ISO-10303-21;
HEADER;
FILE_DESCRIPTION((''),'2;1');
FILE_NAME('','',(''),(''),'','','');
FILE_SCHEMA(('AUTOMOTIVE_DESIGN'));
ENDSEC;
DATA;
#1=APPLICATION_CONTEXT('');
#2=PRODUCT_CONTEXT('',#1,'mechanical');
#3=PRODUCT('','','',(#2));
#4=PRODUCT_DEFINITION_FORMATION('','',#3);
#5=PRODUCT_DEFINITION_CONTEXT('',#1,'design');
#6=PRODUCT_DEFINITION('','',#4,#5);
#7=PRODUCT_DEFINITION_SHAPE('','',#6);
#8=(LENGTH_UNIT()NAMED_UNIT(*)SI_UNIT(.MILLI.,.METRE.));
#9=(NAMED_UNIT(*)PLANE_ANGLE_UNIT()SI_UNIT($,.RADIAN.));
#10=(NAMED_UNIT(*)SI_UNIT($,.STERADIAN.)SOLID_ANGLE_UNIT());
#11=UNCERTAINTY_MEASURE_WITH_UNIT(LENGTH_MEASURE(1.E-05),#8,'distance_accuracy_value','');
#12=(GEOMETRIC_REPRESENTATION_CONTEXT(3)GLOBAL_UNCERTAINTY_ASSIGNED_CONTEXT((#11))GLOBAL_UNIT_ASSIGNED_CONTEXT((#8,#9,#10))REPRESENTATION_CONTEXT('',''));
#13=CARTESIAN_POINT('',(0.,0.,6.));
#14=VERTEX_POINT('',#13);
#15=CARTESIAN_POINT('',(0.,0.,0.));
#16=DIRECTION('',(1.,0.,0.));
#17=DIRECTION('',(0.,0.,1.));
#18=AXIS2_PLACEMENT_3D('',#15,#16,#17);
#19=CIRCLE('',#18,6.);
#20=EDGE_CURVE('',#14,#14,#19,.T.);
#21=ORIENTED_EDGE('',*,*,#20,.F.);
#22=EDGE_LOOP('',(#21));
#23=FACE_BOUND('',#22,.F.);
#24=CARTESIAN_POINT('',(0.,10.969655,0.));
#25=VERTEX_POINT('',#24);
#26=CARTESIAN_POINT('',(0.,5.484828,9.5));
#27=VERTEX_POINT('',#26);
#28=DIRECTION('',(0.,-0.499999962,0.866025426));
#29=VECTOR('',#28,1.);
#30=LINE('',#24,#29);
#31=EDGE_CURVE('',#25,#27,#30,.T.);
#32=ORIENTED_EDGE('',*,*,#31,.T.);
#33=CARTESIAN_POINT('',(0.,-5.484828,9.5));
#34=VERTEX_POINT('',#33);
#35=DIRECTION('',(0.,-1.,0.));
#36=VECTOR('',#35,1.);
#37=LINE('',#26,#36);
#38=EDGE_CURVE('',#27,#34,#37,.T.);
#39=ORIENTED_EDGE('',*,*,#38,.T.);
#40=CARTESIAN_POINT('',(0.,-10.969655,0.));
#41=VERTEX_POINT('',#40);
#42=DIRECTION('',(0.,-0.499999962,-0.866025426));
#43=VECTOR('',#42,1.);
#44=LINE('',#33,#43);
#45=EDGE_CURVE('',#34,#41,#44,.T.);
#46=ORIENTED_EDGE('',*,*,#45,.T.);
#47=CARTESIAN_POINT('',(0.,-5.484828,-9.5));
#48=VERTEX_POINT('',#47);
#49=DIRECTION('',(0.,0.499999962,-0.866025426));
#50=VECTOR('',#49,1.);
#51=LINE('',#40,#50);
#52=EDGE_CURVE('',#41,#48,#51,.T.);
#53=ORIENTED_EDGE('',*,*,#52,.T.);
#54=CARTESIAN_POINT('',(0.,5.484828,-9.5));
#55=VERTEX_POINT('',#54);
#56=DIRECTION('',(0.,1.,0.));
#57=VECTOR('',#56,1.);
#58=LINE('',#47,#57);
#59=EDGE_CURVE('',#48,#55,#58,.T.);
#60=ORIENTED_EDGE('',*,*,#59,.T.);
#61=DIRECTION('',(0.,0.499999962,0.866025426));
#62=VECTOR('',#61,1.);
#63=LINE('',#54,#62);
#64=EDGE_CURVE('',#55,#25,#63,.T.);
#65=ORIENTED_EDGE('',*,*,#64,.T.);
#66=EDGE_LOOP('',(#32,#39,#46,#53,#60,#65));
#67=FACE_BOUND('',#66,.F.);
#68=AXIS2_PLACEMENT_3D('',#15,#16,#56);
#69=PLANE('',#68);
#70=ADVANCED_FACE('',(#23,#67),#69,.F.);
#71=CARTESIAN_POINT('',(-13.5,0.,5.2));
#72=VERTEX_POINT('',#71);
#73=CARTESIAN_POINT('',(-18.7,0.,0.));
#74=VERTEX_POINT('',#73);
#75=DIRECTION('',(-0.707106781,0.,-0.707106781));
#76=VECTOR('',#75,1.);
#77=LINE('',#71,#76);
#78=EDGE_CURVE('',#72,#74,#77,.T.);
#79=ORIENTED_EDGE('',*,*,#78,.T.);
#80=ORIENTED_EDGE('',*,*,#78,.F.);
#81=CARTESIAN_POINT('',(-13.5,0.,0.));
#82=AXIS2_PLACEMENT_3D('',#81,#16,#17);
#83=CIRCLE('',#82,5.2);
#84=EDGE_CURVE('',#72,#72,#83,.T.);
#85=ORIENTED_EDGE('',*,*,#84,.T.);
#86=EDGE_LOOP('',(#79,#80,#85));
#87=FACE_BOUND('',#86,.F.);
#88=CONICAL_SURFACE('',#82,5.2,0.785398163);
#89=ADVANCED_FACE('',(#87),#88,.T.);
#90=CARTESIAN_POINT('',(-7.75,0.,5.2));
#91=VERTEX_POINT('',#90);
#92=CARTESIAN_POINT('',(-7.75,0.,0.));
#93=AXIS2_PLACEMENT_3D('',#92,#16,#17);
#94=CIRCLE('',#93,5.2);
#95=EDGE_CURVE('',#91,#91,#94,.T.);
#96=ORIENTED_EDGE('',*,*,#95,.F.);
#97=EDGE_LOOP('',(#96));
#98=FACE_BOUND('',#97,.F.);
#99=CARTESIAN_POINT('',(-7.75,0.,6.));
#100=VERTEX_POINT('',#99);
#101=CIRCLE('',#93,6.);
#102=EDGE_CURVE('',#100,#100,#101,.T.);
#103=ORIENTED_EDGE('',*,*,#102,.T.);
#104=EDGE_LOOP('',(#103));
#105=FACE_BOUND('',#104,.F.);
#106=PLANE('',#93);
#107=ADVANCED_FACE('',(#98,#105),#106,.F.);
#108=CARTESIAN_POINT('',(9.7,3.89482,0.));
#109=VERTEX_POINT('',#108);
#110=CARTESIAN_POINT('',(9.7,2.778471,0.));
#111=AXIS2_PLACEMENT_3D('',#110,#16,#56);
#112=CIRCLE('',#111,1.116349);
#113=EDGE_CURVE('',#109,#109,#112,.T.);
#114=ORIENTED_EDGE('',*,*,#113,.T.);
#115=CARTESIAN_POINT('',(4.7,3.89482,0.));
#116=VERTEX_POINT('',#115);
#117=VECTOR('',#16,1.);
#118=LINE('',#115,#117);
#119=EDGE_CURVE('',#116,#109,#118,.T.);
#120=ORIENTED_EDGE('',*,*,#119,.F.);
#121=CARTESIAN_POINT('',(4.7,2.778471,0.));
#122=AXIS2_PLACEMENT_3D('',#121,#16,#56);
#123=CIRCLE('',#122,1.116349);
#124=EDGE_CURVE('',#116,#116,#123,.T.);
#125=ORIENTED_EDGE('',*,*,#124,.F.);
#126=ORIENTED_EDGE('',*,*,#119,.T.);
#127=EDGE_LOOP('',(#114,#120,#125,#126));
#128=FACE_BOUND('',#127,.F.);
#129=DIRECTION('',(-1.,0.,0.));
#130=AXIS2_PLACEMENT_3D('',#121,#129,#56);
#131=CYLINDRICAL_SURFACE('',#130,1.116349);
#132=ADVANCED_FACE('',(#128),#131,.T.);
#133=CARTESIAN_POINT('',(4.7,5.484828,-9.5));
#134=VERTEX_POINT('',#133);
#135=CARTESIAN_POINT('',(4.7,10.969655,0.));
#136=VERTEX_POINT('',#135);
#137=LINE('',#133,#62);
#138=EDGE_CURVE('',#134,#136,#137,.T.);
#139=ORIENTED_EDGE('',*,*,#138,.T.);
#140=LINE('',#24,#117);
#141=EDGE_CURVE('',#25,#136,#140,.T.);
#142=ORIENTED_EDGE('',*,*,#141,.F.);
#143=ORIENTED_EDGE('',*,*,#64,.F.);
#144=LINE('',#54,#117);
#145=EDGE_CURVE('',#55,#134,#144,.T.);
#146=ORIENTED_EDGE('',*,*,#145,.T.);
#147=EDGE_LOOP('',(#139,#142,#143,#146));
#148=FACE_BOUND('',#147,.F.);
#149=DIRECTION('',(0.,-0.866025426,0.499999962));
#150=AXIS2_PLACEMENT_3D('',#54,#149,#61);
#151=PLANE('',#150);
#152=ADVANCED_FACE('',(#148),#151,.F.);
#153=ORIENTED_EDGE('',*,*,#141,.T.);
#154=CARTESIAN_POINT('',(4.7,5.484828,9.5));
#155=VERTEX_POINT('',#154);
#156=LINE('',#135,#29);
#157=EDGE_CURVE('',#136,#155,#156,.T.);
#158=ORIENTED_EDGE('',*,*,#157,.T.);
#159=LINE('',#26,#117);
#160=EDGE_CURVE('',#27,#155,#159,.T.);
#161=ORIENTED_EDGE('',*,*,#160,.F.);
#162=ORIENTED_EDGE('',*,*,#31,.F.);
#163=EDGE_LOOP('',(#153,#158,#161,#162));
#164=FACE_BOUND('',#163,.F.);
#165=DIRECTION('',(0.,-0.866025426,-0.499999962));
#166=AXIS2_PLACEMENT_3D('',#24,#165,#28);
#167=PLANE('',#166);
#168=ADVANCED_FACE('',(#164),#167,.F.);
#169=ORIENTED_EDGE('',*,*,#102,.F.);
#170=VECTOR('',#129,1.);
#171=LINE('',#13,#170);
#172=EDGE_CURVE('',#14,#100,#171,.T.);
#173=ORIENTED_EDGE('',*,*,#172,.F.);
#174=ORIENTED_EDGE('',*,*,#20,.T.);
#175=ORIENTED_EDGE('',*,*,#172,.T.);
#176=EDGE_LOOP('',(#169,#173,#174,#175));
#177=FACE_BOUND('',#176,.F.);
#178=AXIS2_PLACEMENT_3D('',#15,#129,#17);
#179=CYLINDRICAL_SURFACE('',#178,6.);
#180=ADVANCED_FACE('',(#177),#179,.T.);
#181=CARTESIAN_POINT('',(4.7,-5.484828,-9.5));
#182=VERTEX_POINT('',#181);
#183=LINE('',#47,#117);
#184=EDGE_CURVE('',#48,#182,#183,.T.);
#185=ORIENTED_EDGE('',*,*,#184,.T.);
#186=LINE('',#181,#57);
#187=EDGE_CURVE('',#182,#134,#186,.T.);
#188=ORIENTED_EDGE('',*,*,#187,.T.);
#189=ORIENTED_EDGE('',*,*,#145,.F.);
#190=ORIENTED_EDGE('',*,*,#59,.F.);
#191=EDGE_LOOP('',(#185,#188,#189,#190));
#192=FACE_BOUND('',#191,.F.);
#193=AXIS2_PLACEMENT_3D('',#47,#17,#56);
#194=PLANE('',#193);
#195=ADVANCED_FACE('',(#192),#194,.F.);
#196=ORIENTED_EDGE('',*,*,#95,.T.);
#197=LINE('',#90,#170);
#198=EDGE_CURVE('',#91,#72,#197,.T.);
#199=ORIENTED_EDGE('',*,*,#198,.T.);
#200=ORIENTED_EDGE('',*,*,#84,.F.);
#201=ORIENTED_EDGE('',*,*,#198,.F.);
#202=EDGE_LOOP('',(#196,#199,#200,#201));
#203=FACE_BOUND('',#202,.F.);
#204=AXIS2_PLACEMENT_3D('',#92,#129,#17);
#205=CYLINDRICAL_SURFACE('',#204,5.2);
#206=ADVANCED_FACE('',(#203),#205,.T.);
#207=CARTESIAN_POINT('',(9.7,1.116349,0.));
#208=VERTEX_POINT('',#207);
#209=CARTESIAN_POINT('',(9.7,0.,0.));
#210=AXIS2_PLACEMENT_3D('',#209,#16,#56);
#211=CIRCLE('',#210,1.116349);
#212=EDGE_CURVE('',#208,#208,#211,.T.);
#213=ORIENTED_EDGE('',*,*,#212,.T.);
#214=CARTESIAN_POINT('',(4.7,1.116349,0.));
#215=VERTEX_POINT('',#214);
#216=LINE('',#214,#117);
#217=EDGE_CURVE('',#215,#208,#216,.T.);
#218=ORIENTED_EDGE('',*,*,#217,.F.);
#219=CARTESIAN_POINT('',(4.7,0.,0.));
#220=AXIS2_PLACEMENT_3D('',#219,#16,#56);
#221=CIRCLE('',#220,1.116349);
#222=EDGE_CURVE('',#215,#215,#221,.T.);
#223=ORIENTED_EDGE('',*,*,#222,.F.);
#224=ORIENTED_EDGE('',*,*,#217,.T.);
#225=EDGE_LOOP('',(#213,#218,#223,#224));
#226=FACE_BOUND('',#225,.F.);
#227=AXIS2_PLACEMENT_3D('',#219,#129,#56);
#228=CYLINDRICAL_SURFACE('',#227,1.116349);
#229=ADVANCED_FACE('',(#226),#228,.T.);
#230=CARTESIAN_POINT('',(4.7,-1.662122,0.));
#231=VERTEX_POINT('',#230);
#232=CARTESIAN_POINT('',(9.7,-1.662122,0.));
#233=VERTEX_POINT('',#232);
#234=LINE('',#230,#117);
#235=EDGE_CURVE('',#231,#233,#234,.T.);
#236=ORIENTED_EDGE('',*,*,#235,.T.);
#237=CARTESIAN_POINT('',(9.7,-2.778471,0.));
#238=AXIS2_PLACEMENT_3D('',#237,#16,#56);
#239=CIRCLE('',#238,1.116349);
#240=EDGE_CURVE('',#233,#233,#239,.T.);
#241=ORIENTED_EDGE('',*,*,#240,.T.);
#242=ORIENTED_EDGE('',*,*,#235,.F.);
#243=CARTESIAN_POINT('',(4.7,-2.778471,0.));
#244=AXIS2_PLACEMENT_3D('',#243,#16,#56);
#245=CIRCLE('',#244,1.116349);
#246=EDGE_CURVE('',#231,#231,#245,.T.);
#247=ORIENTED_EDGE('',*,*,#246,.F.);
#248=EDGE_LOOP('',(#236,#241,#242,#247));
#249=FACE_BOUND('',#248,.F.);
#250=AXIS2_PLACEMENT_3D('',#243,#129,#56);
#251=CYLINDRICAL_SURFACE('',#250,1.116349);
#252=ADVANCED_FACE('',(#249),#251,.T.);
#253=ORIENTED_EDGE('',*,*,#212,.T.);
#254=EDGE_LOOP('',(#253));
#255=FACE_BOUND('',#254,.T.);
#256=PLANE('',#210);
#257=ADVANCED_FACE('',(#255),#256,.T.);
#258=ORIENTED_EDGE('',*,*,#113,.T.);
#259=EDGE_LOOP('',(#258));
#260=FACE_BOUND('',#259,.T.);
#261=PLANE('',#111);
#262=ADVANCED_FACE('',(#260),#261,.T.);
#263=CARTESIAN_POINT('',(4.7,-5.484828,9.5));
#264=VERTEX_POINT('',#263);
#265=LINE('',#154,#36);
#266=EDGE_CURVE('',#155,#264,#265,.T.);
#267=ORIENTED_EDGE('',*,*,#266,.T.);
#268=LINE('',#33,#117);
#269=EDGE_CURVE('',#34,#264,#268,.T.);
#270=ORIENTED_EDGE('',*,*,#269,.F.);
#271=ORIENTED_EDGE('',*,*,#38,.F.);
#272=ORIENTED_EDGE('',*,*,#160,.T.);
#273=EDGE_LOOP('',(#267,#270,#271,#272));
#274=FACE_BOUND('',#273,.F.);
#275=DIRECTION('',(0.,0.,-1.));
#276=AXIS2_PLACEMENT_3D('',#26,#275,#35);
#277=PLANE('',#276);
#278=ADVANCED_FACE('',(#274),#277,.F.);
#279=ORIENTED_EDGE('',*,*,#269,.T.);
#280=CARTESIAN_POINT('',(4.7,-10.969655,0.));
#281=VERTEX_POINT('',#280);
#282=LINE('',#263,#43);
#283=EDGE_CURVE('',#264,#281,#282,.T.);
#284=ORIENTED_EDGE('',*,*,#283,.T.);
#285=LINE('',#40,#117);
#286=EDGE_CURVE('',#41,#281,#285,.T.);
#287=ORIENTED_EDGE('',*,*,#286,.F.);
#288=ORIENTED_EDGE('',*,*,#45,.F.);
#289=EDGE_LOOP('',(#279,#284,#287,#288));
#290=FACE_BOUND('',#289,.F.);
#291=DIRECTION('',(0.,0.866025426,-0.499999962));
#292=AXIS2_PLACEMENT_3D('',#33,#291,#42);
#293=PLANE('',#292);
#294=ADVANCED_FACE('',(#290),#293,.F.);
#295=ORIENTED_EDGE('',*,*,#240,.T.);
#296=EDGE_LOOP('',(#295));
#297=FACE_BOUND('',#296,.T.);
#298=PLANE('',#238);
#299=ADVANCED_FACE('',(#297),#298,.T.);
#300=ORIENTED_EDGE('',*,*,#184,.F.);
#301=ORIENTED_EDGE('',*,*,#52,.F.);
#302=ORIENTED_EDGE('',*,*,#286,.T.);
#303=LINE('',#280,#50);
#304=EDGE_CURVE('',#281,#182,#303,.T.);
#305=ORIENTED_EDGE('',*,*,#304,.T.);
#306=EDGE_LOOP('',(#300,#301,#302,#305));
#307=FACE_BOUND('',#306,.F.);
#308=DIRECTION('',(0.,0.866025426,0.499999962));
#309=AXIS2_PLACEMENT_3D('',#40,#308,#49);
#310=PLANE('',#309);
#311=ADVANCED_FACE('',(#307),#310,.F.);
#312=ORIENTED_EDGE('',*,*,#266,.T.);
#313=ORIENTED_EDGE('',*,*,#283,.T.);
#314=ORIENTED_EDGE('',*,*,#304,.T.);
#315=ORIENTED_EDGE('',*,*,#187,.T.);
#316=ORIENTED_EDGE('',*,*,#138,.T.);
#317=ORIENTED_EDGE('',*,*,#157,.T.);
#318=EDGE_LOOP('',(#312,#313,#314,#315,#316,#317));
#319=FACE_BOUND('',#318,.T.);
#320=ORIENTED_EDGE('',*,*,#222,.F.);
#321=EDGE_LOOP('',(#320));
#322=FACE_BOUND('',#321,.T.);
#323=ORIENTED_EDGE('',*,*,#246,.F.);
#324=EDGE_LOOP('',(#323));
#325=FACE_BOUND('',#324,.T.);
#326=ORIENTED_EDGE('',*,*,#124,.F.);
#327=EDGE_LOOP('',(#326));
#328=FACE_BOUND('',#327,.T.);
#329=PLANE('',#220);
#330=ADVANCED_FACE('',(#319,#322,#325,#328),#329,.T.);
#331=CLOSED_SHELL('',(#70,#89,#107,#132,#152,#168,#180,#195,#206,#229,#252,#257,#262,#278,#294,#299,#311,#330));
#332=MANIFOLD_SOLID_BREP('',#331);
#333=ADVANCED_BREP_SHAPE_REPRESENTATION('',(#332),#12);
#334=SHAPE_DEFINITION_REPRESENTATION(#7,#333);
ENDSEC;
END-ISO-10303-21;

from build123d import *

# Parameters (mm, degrees)
F3_DEPTH = 4.7
F4_R     = 1.116349
F5_DEPTH = 5


with BuildPart() as f1:
    # F0 (on Front) → F1 (revolve)
    with BuildSketch(Plane.XZ):
        Polygon((0, 0), (0, 6), (-7.75, 6), (-7.75, 5.2), (-13.5, 5.2), (-18.7, 0), align=None)
    revolve(axis=Axis((-9.35, 0, 0), (1, 0, 0)))

    # F2 (on face) → F3 (join)
    with BuildSketch(Plane.YZ):
        Polygon((-5.484828, -9.5), (5.484828, -9.5), (10.969655, 0), (5.484828, 9.5), (-5.484828, 9.5), (-10.969655, 0), align=None)
    extrude(amount=F3_DEPTH)

    # F4 (on face) → F5 (join)
    with BuildSketch(Plane.YZ.offset(4.7)):
        with Locations((-2.778471, 0)):
            Circle(F4_R)
        with Locations((2.778471, 0)):
            Circle(F4_R)
        Circle(F4_R)
    extrude(amount=F5_DEPTH)


solid = f1.part
